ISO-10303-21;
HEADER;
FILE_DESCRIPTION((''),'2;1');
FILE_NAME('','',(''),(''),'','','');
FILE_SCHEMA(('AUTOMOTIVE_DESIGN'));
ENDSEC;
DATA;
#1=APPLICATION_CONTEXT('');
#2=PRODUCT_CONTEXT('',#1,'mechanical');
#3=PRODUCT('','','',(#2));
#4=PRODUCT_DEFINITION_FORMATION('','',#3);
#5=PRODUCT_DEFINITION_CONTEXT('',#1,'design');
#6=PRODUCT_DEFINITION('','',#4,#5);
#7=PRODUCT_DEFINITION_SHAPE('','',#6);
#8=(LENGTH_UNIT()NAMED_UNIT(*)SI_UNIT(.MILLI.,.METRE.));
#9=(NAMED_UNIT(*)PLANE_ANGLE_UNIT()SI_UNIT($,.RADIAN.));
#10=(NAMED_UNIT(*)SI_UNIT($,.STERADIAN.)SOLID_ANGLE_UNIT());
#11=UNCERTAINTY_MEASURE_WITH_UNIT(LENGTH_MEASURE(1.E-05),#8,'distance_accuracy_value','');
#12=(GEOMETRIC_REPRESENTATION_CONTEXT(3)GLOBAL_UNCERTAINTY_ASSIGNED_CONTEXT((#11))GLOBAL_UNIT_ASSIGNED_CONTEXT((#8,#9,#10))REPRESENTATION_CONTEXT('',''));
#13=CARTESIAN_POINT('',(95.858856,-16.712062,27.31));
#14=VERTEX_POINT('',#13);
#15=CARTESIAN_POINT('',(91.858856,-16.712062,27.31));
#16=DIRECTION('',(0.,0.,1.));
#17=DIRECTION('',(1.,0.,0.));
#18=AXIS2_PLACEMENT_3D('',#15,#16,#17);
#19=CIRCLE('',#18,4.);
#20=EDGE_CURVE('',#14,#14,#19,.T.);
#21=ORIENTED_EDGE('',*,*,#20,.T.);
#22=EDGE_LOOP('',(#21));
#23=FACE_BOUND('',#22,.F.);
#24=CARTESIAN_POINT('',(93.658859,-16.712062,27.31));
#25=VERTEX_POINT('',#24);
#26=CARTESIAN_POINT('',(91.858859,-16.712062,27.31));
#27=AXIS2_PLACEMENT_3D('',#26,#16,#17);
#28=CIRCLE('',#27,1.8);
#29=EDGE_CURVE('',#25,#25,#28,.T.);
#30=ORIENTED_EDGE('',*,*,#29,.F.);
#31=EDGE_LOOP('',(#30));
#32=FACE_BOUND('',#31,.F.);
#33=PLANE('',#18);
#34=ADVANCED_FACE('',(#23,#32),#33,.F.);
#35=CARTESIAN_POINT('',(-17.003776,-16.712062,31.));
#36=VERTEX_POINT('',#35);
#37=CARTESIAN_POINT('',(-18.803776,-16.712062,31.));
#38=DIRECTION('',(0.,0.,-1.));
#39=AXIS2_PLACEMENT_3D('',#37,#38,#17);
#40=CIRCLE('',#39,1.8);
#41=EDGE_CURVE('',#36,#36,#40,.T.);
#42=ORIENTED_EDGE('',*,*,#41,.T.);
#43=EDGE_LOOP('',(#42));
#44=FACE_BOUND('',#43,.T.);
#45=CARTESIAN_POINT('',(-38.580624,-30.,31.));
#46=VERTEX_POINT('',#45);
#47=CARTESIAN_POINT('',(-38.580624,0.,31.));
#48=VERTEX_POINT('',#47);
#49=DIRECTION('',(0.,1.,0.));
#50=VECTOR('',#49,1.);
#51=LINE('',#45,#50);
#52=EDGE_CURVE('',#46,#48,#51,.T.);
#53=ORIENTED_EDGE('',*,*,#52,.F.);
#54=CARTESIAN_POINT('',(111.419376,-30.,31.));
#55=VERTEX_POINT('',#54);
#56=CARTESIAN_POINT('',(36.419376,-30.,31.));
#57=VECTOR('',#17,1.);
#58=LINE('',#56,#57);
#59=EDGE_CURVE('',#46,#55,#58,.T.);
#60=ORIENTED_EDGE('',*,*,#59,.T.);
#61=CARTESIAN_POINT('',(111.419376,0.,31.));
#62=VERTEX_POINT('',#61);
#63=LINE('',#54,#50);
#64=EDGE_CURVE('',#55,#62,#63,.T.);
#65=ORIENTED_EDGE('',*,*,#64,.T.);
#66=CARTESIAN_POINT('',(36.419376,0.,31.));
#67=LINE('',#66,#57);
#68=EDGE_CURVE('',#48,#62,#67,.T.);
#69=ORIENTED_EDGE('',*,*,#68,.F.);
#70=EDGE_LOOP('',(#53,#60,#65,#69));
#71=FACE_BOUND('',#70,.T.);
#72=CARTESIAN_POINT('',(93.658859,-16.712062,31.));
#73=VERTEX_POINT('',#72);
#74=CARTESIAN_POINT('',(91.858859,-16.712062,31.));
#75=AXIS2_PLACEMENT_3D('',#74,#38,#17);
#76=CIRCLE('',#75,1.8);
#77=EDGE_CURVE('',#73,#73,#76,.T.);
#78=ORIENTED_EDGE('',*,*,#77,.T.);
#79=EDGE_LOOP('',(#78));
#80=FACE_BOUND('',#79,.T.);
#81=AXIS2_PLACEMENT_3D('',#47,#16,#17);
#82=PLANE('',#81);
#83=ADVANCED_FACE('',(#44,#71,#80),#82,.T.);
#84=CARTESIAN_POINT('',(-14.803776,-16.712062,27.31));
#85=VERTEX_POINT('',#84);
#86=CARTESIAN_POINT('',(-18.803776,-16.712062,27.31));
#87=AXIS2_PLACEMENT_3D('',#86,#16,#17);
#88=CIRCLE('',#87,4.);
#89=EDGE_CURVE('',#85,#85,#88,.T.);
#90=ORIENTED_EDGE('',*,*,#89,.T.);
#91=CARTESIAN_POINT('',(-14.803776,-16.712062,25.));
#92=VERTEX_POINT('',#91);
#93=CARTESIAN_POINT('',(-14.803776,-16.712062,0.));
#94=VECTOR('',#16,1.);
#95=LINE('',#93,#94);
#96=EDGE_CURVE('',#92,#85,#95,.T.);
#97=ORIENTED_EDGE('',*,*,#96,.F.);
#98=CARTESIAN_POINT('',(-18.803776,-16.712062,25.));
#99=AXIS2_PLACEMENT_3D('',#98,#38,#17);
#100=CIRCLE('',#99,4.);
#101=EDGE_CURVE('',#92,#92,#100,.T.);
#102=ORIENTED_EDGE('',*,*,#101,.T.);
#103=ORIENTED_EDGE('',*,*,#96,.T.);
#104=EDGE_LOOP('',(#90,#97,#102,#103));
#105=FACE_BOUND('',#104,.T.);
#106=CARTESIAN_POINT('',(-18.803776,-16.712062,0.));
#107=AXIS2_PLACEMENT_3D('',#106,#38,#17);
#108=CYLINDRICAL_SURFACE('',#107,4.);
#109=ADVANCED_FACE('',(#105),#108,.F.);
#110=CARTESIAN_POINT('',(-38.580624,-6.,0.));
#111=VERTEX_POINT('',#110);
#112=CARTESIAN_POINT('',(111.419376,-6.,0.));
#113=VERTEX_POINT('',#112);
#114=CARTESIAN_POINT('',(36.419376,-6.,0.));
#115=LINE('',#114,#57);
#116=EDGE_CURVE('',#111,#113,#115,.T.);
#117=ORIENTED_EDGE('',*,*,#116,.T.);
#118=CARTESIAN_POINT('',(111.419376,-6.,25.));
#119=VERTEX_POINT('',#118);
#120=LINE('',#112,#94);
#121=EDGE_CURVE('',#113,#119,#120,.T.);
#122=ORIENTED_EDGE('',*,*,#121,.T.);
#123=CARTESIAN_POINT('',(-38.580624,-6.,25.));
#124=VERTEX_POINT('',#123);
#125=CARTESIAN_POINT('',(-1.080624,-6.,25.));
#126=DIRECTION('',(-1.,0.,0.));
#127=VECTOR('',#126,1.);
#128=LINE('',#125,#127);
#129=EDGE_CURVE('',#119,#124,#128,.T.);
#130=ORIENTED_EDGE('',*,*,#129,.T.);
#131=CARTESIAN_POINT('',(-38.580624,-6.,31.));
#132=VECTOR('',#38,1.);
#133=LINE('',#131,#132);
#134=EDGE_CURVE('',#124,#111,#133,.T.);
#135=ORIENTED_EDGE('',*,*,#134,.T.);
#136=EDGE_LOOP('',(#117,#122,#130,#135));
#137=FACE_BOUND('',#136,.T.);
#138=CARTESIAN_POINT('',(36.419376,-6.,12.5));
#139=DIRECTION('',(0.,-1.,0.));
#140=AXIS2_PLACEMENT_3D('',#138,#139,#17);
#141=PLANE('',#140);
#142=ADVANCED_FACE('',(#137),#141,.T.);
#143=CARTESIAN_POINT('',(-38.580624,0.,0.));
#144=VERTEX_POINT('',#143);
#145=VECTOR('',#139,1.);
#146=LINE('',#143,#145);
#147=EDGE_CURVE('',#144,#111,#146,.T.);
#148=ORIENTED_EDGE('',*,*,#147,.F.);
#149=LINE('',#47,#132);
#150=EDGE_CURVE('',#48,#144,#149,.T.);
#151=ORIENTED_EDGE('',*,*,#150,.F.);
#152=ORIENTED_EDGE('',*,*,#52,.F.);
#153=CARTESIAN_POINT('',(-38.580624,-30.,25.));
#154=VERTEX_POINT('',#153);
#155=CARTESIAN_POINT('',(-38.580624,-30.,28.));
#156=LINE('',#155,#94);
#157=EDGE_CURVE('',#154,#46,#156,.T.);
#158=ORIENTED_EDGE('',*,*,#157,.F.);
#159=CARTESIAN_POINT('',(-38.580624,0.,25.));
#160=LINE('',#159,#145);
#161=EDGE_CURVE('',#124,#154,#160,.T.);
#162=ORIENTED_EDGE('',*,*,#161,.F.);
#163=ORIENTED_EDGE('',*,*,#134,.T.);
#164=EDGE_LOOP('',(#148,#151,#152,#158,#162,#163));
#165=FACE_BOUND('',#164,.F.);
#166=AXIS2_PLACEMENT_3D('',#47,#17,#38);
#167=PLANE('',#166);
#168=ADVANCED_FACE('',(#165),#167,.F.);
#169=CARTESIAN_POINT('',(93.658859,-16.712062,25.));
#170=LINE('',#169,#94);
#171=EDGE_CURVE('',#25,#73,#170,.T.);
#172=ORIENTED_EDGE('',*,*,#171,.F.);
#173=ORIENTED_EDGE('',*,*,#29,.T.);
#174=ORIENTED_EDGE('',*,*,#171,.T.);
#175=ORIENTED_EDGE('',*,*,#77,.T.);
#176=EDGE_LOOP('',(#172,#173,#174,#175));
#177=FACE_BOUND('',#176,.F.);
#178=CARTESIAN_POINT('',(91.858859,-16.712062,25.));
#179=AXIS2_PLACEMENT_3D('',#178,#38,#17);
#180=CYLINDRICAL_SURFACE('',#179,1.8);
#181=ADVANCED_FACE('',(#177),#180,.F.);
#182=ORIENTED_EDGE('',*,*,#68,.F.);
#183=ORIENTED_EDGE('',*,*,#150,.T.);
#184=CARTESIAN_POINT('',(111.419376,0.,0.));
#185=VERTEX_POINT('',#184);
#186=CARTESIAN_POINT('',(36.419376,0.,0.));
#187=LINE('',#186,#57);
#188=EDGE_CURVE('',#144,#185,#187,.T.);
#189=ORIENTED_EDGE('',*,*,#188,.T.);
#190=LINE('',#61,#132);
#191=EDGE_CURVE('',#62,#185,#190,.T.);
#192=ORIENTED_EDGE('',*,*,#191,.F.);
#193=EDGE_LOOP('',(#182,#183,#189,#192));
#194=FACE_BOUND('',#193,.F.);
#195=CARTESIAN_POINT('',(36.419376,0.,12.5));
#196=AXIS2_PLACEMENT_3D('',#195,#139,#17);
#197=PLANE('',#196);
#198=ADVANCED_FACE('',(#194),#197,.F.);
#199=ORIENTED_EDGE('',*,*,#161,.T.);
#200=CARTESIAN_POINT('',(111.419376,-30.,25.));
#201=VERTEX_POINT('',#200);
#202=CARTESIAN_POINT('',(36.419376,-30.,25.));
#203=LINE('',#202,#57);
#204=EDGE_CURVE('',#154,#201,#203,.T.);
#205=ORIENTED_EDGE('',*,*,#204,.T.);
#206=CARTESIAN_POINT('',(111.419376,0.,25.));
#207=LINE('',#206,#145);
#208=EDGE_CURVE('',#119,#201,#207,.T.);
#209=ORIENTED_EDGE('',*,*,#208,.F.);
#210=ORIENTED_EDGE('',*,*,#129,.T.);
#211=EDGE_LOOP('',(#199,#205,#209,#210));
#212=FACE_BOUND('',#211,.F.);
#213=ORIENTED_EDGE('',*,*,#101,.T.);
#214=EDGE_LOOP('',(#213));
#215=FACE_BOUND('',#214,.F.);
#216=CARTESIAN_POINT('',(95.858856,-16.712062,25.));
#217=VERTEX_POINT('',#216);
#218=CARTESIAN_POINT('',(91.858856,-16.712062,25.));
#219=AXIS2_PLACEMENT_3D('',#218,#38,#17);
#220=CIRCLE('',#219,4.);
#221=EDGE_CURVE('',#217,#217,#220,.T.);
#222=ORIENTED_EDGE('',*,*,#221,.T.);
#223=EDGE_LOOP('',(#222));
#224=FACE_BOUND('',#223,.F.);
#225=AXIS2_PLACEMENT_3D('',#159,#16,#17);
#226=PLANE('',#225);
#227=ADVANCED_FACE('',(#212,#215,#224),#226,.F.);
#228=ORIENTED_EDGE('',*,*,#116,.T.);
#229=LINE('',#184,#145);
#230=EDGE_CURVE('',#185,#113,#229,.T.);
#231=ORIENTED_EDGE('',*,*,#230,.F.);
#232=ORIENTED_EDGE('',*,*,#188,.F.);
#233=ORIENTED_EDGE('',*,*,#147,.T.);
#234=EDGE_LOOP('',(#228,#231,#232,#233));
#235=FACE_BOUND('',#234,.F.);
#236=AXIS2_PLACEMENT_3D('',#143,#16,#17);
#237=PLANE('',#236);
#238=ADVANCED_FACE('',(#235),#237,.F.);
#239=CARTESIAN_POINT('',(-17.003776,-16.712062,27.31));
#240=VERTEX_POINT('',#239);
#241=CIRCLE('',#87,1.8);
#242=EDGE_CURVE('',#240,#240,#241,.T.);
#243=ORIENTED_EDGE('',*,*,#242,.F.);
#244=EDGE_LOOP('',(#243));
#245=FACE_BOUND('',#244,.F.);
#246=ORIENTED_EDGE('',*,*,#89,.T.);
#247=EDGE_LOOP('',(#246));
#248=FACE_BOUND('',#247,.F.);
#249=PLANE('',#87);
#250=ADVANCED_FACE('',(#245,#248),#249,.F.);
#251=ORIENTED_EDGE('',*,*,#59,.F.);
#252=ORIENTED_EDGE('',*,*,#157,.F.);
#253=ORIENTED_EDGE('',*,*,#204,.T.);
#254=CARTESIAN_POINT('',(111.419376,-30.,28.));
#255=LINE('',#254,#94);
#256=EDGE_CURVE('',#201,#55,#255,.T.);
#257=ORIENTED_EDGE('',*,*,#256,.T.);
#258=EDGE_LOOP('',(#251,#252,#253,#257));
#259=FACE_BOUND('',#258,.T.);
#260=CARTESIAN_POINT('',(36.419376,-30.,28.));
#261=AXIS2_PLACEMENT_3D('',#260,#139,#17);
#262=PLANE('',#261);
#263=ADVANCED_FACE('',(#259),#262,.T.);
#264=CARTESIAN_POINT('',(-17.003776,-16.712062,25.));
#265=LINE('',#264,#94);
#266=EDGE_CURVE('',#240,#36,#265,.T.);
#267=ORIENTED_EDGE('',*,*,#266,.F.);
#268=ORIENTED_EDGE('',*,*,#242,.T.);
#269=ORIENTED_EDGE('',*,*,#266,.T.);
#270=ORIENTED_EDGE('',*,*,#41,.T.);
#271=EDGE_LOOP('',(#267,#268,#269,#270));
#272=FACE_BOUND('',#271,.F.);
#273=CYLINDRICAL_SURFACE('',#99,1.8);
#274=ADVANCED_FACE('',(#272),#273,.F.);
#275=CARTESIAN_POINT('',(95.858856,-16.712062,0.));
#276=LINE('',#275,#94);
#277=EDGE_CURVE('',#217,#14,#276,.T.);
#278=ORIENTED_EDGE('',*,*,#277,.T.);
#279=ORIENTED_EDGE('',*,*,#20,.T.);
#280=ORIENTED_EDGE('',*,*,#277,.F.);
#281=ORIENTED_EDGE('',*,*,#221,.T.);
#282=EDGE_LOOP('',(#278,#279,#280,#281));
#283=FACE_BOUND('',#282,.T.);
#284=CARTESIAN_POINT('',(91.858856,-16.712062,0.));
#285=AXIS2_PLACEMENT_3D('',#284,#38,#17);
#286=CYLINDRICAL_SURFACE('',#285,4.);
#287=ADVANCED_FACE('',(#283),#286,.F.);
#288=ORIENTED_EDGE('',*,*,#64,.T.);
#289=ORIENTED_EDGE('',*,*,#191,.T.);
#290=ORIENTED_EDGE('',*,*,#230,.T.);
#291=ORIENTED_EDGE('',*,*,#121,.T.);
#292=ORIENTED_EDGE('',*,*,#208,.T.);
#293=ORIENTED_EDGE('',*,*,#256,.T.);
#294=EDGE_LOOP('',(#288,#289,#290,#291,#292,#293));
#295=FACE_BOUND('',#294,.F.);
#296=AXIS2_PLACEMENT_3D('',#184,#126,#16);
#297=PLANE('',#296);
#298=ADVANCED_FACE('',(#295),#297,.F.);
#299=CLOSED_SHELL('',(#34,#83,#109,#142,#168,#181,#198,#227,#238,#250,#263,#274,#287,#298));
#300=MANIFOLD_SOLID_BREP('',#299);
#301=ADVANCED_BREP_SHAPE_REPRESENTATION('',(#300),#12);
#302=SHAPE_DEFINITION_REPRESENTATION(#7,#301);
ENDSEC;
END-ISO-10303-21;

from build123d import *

# Parameters (mm, degrees)
F0_W     = 150
F0_H     = 25
F0_H_2   = 6
F1_DEPTH = 6
F2_DEPTH = 30
F3_R     = 4
F3_R_2   = 1.8
F4_DEPTH = 27.31
F5_DEPTH = 25


with BuildPart() as f1:
    # F0 (on Front) → F1 (new body)
    with BuildSketch(Plane.XZ):
        with Locations((36.419376108, 12.5)):
            Rectangle(F0_W, F0_H)
        with Locations((36.419376108, 28)):
            Rectangle(F0_W, F0_H_2)
    extrude(amount=F1_DEPTH)

    # F0 (on Front) → F2 (join)
    with BuildSketch(Plane.XZ):
        with Locations((36.419376108, 28)):
            Rectangle(F0_W, F0_H_2)
    extrude(amount=F2_DEPTH)

    # F3 (on Top) → F4 (cut)
    with BuildSketch(Plane.XY):
        with Locations((91.85885638, -16.7120620608)):
            Circle(F3_R)
        with Locations((91.8588588197, -16.7120620608)):
            Circle(F3_R_2, mode=Mode.SUBTRACT)
        with Locations((-18.8037762601, -16.7120620608)):
            Circle(F3_R)
        with Locations((-18.8037762601, -16.7120620608)):
            Circle(F3_R_2, mode=Mode.SUBTRACT)
    extrude(amount=F4_DEPTH, mode=Mode.SUBTRACT)

    # F5 (cut): faces of the model
    f5_faces = [f1.faces().sort_by_distance(p)[0] for p in [
        (-18.8037762601, -16.7120620608, 25),
        (91.8588588197, -16.7120620608, 25),
    ]]
    extrude(f5_faces, amount=-F5_DEPTH, mode=Mode.SUBTRACT)


solid = f1.part
